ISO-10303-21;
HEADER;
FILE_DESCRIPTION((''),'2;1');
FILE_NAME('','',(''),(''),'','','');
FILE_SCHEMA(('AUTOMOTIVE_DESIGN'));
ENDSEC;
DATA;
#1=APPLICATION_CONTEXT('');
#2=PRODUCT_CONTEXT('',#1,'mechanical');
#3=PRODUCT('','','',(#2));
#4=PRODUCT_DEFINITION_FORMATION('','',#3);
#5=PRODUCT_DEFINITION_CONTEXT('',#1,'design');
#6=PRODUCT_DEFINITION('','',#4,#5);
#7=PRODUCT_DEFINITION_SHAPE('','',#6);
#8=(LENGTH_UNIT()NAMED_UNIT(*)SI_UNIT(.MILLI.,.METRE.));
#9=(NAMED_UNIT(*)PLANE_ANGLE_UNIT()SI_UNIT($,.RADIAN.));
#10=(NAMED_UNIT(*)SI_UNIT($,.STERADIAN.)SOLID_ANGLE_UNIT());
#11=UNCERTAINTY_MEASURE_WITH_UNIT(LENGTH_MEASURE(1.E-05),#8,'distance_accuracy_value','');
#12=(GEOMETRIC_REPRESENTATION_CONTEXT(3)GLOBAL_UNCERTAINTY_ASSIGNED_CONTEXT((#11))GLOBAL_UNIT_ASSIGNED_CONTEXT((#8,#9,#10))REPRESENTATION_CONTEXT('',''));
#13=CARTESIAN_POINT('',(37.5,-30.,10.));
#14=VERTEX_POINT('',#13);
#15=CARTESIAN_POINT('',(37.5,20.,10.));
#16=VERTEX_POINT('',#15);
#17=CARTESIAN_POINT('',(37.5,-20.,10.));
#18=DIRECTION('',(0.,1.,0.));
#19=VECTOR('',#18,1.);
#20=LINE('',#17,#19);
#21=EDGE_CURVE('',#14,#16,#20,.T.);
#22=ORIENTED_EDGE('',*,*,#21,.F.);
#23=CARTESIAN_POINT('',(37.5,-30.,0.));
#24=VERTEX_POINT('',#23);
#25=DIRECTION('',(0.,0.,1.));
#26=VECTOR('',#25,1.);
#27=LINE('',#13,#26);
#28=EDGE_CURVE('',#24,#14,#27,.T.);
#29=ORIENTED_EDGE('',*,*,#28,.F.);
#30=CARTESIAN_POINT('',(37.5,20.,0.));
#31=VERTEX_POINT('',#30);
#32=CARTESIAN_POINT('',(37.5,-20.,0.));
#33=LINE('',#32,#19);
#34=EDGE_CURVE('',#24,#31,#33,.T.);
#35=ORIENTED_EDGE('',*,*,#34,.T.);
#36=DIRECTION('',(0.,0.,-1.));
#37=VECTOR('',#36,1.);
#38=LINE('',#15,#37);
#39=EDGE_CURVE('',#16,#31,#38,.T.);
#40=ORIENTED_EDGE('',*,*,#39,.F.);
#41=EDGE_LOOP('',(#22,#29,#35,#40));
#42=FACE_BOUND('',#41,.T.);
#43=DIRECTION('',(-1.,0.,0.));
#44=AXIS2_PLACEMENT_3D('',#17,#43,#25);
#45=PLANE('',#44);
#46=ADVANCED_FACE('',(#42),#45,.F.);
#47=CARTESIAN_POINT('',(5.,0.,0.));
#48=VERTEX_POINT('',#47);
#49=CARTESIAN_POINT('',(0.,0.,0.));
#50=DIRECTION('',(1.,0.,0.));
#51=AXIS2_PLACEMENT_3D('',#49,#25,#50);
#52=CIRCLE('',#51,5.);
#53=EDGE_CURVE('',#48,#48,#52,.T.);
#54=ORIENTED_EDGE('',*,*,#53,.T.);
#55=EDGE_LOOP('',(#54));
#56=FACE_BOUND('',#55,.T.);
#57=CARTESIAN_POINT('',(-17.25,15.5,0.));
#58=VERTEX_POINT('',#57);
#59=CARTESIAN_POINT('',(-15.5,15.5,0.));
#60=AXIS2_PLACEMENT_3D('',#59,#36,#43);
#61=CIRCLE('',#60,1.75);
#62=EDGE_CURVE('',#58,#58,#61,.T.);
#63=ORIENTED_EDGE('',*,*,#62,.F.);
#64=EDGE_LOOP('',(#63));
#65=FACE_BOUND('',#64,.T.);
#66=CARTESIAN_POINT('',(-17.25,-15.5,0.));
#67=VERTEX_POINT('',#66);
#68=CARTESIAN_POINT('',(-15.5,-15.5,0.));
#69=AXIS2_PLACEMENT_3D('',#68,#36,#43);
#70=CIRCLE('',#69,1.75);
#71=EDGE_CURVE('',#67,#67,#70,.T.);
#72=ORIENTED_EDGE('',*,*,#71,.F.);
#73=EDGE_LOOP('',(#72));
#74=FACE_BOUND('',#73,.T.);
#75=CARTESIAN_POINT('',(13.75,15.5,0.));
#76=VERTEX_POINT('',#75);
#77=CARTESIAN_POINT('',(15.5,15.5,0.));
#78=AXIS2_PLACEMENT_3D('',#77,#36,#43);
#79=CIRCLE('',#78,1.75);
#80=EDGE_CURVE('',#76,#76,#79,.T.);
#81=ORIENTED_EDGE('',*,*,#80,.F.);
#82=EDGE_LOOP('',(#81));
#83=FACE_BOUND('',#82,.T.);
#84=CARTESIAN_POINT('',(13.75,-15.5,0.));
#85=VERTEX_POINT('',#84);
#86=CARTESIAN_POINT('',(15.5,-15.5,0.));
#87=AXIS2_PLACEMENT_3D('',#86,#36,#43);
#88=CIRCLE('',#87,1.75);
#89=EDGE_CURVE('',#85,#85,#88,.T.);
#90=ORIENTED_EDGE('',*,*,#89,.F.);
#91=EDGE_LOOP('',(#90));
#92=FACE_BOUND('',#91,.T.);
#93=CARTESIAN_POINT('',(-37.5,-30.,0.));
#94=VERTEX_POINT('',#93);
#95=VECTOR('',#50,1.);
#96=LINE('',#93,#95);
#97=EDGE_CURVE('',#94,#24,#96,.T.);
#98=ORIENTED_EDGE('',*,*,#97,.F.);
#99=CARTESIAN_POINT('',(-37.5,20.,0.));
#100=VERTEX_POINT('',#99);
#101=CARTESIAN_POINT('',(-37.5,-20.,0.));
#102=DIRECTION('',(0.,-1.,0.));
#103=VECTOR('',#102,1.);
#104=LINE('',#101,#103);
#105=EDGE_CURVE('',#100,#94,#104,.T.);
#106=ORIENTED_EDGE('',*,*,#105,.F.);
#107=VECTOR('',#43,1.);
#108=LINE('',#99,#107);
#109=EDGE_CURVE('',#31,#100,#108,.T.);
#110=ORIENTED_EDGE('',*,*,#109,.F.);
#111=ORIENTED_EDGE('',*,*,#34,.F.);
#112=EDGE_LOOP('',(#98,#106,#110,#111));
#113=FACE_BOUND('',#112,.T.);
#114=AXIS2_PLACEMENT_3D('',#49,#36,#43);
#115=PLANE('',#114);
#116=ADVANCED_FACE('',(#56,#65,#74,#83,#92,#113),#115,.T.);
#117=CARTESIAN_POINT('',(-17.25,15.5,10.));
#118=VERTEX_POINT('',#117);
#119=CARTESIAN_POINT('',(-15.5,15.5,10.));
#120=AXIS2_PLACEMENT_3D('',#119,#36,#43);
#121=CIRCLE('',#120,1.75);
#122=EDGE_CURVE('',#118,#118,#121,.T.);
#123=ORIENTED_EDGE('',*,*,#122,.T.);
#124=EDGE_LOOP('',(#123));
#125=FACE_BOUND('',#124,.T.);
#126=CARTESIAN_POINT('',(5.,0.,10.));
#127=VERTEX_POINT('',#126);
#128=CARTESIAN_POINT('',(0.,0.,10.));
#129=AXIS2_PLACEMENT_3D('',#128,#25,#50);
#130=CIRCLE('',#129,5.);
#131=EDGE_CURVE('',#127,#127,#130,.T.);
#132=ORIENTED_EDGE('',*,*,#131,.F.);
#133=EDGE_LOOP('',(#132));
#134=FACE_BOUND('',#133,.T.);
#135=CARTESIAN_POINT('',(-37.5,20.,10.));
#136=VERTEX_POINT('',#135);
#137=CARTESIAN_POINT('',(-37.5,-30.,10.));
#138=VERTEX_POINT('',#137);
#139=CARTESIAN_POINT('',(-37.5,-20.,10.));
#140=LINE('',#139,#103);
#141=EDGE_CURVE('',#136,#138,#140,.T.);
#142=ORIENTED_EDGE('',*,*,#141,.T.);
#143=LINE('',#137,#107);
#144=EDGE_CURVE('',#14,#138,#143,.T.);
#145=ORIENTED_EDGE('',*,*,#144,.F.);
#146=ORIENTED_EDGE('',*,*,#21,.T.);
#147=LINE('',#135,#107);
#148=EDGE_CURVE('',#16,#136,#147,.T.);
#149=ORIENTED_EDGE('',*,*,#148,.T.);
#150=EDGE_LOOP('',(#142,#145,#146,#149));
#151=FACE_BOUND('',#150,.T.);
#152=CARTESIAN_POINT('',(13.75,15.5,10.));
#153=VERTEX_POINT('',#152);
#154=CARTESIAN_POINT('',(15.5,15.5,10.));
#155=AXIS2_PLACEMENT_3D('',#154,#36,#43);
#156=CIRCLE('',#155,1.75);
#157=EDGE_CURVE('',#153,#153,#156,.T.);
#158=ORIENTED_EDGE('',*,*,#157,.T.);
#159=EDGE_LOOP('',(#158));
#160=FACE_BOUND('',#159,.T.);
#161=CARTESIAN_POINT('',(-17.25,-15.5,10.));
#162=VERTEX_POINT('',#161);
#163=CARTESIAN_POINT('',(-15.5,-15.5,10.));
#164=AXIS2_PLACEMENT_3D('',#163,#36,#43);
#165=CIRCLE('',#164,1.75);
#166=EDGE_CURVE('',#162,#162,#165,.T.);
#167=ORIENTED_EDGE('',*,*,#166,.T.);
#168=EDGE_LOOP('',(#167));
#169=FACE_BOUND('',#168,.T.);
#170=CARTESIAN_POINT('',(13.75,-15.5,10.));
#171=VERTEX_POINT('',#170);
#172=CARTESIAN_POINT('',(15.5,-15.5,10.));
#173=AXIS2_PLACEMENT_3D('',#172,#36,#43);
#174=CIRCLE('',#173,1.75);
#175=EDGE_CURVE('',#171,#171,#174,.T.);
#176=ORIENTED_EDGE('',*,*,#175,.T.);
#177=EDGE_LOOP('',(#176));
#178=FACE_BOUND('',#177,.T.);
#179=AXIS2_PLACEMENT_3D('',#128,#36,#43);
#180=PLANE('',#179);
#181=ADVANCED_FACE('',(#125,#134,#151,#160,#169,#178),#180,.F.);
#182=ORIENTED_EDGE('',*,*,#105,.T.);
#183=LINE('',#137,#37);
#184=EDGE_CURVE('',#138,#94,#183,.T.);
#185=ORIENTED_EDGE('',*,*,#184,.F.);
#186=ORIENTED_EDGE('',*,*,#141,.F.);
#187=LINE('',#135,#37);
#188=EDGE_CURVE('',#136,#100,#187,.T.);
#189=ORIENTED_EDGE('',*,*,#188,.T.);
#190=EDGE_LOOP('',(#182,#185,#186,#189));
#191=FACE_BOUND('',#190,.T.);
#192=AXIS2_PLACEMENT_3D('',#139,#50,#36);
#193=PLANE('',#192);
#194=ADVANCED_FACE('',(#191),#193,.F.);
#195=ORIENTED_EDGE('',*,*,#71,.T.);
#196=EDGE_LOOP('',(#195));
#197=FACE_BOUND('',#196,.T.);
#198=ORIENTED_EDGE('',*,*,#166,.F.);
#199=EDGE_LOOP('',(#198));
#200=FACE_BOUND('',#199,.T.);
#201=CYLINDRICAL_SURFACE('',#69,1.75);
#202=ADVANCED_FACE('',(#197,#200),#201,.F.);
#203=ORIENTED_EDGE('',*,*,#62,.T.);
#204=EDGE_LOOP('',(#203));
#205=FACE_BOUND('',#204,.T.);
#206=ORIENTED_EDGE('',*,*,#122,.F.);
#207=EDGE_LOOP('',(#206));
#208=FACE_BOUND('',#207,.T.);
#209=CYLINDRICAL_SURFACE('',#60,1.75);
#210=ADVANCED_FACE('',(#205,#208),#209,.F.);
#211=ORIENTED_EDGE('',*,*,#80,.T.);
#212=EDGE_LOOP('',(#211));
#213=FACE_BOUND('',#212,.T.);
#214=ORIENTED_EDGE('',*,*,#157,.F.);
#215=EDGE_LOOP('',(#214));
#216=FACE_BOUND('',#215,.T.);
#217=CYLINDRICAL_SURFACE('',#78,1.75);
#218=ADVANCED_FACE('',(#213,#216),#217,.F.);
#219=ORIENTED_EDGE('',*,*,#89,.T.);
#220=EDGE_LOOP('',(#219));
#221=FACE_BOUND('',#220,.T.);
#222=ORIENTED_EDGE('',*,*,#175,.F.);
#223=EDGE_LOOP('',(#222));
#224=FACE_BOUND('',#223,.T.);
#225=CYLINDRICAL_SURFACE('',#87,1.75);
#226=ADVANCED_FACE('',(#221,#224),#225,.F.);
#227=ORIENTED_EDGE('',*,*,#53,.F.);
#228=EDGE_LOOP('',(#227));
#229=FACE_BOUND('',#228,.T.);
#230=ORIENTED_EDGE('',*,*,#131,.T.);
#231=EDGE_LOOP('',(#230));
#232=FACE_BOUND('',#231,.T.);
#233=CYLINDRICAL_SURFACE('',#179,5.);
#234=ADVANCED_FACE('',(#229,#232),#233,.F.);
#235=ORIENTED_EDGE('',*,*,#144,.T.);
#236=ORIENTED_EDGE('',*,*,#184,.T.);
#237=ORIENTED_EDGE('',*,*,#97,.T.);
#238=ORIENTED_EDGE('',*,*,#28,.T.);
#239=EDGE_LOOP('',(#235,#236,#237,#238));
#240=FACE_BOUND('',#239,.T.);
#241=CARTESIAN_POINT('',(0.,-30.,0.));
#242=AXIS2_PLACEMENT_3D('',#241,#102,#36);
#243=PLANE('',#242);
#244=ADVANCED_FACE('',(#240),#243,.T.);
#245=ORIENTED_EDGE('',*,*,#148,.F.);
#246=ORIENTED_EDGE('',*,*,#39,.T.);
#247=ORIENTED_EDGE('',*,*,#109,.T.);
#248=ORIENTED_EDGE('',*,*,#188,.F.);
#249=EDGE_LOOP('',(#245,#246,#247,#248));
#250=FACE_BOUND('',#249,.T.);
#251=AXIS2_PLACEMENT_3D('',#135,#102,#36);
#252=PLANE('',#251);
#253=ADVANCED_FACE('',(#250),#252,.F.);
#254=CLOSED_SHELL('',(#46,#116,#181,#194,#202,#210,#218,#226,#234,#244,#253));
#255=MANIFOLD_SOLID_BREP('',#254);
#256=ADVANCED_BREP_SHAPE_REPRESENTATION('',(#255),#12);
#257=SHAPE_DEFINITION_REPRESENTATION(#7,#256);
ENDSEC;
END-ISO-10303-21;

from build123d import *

# Parameters (mm, degrees)
SKETCH1_W                  = 75
SKETCH1_H                  = 40
SKETCH1_R                  = 5
BOSS_EXTRUDE1_DEPTH        = 10
F_3_5_3_5_DIAMETER_HOLE1_D = 3.5
SKETCH4_W                  = 75
SKETCH4_H                  = 10
BOSS_EXTRUDE2_DEPTH        = 10


with BuildPart() as part:
    # Sketch1 → Boss-Extrude1 (new body)
    with BuildSketch(Plane.XY):
        Rectangle(SKETCH1_W, SKETCH1_H)
        Circle(SKETCH1_R, mode=Mode.SUBTRACT)
    extrude(amount=BOSS_EXTRUDE1_DEPTH)

    # Ø3.5 (3.5) Diameter Hole1 (through all)
    with Locations(Plane(origin=(0, 0, 0), x_dir=(-1, 0, 0), z_dir=(0, 0, -1))):
        with Locations((15.5, 15.5), (-15.5, 15.5), (-15.5, -15.5), (15.5, -15.5)):
            Hole(F_3_5_3_5_DIAMETER_HOLE1_D / 2)

    # Sketch4 → Boss-Extrude2 (add)
    with BuildSketch(Plane.XZ.offset(20)):
        with Locations((0, 5)):
            Rectangle(SKETCH4_W, SKETCH4_H)
    extrude(amount=BOSS_EXTRUDE2_DEPTH)


solid = part.part
